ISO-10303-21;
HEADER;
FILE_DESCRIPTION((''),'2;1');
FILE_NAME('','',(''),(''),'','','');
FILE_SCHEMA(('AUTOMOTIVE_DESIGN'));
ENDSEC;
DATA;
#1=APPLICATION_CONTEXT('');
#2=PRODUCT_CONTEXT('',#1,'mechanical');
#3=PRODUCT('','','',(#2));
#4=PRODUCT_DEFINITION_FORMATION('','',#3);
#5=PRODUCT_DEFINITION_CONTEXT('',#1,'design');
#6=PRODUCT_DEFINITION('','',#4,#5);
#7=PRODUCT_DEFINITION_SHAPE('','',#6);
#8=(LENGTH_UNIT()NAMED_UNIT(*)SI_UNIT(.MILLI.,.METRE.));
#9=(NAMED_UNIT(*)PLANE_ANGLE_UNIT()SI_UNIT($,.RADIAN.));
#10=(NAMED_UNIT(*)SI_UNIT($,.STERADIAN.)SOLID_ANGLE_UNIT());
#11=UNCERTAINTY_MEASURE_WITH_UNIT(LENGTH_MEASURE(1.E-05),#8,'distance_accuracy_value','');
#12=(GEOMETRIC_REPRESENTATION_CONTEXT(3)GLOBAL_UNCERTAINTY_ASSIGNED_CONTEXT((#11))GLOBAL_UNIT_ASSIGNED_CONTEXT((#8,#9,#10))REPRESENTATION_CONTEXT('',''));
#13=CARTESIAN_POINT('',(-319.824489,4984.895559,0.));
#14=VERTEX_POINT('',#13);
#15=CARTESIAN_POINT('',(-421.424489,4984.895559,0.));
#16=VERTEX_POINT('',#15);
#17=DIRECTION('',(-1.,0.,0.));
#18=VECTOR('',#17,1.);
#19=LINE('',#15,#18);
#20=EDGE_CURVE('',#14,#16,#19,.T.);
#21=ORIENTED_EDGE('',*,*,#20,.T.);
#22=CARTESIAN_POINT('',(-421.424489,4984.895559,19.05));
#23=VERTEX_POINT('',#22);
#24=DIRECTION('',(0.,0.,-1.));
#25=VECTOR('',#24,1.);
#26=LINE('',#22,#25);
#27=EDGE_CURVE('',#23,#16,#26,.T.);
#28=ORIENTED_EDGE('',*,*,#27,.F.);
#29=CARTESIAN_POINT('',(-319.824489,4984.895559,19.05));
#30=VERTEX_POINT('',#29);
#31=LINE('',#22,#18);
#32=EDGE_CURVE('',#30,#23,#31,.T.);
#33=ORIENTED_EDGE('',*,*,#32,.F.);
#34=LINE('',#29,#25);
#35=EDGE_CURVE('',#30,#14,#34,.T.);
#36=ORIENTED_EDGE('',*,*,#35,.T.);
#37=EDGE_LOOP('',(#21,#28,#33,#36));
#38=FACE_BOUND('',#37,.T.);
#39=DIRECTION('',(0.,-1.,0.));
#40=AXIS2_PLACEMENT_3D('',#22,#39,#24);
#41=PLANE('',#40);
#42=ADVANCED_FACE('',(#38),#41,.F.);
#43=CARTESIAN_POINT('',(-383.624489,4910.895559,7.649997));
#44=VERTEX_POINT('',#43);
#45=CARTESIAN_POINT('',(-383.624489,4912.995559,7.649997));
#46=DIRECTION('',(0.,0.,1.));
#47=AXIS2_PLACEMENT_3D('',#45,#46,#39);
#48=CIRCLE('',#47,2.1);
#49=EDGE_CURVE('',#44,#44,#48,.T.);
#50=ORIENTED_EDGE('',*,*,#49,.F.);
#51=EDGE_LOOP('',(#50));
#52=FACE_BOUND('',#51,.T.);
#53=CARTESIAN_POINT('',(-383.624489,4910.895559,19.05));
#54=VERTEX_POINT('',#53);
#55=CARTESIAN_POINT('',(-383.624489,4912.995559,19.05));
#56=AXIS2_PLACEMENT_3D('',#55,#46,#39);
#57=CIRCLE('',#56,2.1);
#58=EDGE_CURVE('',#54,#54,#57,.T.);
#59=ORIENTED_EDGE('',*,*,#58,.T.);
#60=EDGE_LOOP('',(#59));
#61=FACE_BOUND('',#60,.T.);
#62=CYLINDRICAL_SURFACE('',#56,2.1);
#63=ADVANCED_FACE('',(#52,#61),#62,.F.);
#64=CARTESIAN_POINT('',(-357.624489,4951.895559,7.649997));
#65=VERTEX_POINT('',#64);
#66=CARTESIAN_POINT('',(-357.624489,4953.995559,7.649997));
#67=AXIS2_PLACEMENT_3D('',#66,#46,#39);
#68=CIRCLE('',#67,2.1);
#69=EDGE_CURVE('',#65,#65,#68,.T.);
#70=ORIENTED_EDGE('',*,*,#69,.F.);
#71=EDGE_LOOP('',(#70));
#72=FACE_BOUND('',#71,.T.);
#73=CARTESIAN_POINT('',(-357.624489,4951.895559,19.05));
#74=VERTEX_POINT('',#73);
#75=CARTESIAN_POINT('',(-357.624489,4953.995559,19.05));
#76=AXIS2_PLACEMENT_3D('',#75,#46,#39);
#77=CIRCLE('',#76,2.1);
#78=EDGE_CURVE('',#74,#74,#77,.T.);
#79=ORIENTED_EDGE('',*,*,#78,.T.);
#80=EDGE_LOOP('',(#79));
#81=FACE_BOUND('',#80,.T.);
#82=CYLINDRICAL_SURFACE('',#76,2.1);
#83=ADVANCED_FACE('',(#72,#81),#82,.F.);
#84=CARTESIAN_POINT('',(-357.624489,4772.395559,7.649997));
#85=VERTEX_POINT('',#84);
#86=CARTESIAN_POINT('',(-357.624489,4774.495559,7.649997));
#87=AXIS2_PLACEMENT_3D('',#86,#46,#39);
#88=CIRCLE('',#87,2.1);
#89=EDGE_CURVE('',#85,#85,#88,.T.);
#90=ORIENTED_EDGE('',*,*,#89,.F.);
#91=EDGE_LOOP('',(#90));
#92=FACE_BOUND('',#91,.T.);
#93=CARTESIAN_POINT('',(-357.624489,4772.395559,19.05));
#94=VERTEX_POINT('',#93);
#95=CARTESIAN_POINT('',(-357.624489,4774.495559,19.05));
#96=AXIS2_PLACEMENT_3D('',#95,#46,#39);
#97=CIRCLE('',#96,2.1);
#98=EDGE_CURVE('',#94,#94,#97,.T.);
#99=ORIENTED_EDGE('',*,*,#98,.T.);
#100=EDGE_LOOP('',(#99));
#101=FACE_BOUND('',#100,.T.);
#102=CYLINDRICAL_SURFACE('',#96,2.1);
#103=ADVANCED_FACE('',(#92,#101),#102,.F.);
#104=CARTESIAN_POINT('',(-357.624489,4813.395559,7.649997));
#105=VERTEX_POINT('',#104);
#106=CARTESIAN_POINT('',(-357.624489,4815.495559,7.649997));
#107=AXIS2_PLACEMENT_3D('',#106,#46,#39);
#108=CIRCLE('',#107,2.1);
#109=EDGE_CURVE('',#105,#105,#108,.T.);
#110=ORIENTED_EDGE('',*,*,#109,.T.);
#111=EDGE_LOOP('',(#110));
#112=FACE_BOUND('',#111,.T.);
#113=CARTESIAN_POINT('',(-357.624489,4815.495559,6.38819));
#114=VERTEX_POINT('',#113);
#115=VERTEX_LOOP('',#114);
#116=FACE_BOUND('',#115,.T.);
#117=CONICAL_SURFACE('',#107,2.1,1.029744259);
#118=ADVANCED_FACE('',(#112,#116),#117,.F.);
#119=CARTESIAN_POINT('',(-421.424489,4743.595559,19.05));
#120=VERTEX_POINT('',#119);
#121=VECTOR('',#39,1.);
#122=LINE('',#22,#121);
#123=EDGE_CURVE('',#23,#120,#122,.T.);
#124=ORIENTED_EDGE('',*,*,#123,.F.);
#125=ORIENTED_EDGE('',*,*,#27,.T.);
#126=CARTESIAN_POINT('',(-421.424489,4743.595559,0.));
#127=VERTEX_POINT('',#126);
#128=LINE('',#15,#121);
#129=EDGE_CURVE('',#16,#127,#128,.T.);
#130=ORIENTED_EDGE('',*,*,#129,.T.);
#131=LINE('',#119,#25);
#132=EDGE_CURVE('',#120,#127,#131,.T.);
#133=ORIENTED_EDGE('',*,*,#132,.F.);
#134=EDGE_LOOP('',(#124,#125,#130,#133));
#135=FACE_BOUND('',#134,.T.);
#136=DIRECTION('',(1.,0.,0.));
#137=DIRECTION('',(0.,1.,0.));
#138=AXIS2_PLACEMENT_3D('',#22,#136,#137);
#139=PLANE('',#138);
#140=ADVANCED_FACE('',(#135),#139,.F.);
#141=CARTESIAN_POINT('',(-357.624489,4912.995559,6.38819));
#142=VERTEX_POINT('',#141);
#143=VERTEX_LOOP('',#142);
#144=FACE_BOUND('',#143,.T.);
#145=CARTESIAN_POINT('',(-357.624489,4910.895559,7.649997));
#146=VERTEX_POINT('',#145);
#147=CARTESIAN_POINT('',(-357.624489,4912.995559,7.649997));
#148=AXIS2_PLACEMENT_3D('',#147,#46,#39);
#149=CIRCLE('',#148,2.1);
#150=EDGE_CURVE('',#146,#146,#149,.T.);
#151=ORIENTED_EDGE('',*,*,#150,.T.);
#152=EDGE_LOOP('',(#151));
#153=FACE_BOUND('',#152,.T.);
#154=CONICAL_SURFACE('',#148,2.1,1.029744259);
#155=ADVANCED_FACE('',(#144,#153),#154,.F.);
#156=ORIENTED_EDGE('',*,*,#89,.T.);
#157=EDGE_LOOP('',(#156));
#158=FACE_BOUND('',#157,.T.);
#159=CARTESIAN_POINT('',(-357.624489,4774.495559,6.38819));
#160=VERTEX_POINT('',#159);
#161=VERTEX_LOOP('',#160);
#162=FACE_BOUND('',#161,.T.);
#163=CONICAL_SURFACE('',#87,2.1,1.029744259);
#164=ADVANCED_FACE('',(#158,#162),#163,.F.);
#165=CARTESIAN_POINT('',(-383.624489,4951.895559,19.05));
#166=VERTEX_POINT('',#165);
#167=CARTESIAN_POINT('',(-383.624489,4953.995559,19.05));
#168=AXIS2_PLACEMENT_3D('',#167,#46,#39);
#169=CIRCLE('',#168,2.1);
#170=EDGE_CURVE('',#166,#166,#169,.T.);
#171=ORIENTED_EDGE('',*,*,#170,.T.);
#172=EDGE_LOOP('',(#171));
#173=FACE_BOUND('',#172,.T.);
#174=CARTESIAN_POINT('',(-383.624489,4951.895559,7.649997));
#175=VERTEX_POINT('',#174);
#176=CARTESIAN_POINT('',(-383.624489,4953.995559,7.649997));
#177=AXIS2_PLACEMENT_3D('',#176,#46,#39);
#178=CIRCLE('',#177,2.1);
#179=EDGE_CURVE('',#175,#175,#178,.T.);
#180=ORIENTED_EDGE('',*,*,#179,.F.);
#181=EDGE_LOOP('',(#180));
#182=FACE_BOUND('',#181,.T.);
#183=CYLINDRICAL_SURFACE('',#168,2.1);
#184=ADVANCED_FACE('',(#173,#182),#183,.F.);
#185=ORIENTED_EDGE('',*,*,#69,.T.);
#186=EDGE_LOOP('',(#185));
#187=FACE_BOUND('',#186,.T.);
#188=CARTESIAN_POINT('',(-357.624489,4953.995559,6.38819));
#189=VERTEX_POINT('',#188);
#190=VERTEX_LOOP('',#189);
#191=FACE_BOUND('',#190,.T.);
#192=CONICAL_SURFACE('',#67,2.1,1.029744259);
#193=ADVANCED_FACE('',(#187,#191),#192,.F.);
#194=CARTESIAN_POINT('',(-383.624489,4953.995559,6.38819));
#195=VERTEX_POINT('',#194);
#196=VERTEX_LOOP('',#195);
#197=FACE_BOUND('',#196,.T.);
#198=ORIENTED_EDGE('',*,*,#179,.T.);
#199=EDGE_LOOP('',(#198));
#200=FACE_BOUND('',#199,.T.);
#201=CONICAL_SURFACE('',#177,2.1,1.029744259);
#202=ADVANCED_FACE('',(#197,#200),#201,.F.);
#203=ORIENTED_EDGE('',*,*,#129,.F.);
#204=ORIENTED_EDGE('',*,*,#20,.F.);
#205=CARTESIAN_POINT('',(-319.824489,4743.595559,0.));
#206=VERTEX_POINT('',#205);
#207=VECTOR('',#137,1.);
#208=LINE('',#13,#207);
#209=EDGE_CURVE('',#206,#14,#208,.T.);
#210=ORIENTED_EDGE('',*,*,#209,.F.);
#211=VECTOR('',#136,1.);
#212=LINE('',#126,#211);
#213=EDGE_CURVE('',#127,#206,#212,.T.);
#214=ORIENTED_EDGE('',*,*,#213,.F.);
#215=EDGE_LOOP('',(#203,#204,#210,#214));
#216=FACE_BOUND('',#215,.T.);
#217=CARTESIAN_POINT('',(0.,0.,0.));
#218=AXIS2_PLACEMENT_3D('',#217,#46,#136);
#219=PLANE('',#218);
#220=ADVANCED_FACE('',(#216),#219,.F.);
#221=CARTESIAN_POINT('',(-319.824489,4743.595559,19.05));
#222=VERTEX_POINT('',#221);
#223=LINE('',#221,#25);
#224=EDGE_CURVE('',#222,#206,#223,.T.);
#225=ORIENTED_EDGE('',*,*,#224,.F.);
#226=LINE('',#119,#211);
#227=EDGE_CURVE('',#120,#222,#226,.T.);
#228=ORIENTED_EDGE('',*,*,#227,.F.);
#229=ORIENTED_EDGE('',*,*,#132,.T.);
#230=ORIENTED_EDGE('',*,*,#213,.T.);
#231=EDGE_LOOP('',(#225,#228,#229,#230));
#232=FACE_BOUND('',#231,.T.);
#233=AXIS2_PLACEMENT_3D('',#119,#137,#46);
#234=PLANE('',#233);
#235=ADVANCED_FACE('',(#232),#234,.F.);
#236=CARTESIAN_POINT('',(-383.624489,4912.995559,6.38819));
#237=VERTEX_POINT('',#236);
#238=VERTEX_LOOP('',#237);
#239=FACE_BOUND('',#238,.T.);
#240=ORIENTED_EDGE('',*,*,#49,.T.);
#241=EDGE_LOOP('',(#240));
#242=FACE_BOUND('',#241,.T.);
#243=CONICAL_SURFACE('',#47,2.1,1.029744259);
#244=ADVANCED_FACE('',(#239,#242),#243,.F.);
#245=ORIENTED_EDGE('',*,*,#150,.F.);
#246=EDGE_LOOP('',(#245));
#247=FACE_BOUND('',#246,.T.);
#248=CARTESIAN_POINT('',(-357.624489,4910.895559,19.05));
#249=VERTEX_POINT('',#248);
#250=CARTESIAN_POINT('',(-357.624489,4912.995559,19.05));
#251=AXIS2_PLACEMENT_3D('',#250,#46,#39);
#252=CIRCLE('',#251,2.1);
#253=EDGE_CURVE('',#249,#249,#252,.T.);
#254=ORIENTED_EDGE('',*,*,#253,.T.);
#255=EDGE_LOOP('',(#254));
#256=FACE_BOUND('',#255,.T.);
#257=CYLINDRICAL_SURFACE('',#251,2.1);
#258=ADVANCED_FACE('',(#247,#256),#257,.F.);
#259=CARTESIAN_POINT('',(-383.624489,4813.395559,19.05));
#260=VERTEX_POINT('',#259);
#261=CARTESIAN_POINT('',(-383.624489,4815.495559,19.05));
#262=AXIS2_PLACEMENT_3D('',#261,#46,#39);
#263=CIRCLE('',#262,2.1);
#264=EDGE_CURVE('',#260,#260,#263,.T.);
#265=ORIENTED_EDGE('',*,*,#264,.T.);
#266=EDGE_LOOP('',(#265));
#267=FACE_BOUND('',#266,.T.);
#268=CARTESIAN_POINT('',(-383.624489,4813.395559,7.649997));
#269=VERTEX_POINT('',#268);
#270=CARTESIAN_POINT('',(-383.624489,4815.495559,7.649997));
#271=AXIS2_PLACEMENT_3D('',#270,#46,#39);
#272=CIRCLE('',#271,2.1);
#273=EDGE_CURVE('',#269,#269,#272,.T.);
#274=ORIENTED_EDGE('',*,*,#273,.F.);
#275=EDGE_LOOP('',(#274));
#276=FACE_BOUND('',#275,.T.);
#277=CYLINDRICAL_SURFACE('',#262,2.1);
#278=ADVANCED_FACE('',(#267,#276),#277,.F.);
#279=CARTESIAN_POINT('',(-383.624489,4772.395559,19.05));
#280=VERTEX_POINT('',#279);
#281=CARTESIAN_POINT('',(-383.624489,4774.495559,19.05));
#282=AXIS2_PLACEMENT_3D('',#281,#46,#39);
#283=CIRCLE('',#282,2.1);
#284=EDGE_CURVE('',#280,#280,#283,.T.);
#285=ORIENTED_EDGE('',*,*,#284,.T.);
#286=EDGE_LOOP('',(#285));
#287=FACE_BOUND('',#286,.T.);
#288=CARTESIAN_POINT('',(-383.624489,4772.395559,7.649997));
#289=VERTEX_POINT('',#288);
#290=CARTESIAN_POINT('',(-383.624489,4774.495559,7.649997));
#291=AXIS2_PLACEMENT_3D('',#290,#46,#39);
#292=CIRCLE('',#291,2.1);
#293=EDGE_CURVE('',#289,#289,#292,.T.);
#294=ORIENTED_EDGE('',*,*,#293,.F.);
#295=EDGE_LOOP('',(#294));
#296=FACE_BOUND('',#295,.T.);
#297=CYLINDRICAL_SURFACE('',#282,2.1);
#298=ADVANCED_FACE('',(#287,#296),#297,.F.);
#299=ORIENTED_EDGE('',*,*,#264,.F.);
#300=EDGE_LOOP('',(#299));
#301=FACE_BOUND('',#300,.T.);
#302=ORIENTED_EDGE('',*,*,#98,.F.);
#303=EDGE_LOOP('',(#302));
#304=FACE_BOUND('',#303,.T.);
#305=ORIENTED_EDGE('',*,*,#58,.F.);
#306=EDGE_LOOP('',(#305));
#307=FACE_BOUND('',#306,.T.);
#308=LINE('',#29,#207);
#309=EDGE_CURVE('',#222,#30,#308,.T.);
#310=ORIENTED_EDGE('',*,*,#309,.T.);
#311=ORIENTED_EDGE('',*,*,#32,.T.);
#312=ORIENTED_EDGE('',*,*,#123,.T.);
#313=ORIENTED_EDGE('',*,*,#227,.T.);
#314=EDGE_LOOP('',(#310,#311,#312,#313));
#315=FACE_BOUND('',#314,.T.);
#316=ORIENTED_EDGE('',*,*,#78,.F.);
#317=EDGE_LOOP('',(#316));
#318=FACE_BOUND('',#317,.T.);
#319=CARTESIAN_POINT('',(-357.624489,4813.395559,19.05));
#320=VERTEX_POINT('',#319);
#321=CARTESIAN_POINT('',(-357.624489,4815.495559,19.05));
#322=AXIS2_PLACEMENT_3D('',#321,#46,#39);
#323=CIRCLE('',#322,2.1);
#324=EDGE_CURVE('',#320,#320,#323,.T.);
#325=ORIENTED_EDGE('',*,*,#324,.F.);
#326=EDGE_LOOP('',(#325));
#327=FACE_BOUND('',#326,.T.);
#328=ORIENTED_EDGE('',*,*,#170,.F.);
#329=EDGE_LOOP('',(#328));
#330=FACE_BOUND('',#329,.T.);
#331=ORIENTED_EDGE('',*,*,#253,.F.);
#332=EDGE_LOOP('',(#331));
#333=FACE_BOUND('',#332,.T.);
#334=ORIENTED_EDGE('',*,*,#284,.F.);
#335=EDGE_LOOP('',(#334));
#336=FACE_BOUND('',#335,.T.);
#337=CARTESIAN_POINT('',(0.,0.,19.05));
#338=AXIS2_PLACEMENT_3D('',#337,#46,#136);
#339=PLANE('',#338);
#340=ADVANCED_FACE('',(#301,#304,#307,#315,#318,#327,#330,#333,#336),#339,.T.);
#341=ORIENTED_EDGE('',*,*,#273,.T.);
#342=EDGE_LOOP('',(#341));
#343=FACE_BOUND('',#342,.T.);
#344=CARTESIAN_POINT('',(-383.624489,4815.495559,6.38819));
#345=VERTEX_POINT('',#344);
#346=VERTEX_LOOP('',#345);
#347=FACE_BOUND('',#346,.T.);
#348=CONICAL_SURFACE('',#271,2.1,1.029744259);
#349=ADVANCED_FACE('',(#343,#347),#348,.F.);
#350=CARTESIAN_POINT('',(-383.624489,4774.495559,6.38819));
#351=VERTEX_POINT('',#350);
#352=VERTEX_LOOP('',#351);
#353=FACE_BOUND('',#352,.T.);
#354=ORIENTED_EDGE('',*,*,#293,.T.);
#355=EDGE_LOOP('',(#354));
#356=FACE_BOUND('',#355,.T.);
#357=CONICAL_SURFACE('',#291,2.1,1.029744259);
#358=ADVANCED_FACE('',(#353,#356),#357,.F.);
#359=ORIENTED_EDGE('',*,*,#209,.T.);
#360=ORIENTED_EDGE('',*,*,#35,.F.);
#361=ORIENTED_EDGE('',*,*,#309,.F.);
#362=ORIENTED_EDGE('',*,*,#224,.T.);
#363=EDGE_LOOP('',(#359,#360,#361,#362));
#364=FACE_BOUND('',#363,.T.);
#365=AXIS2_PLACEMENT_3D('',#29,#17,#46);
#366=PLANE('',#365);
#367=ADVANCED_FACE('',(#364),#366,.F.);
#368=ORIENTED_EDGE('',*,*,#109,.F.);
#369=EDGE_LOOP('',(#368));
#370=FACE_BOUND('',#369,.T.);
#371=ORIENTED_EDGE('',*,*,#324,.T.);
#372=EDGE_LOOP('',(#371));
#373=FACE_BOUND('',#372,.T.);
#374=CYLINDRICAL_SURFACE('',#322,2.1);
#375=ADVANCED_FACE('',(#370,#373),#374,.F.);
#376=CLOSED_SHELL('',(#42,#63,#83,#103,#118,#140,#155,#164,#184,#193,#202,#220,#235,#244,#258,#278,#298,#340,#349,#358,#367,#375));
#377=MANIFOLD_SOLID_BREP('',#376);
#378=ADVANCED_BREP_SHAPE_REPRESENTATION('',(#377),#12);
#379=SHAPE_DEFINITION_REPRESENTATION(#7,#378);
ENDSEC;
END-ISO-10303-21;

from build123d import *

# Parameters (mm, degrees)
SKETCH1_W                        = 101.6
SKETCH1_H                        = 241.3
BOSS_EXTRUDE1_DEPTH              = 19.05
TAP_DRILL_FOR_M4_HELICOIL0_D     = 4.2
TAP_DRILL_FOR_M4_HELICOIL0_DEPTH = 11.4000026
TAP_DRILL_FOR_M4_HELICOIL0_TIP   = 1.2618073


with BuildPart() as part:
    # Sketch1 → Boss-Extrude1 (new body)
    with BuildSketch(Plane(origin=(0, 4848.835870432, 0), x_dir=(1, 0, 0), z_dir=(0, 0, 1))):
        with Locations((-370.62448934, 15.409688746)):
            Rectangle(SKETCH1_W, SKETCH1_H)
    extrude(amount=BOSS_EXTRUDE1_DEPTH)

    # Tap Drill for M4 Helicoil0
    with Locations(Plane(origin=(0, 0, 19.05), x_dir=(-1, 0, 0), z_dir=(0, 0, 1))):
        with Locations((383.62448934, -4912.995559179), (357.624489341, -4912.995559179), (357.62448934, -4953.995559179), (383.62448934, -4953.995559179), (383.624489341, -4774.495559179), (383.624489341, -4815.495559179), (357.624489341, -4815.495559179), (357.62448934, -4774.495559179)):
            Hole(TAP_DRILL_FOR_M4_HELICOIL0_D / 2, depth=TAP_DRILL_FOR_M4_HELICOIL0_DEPTH)
            with Locations((0, 0, -(TAP_DRILL_FOR_M4_HELICOIL0_DEPTH + TAP_DRILL_FOR_M4_HELICOIL0_TIP / 2))):  # 118° drill point
                Cone(0, TAP_DRILL_FOR_M4_HELICOIL0_D / 2, TAP_DRILL_FOR_M4_HELICOIL0_TIP, mode=Mode.SUBTRACT)


solid = part.part
